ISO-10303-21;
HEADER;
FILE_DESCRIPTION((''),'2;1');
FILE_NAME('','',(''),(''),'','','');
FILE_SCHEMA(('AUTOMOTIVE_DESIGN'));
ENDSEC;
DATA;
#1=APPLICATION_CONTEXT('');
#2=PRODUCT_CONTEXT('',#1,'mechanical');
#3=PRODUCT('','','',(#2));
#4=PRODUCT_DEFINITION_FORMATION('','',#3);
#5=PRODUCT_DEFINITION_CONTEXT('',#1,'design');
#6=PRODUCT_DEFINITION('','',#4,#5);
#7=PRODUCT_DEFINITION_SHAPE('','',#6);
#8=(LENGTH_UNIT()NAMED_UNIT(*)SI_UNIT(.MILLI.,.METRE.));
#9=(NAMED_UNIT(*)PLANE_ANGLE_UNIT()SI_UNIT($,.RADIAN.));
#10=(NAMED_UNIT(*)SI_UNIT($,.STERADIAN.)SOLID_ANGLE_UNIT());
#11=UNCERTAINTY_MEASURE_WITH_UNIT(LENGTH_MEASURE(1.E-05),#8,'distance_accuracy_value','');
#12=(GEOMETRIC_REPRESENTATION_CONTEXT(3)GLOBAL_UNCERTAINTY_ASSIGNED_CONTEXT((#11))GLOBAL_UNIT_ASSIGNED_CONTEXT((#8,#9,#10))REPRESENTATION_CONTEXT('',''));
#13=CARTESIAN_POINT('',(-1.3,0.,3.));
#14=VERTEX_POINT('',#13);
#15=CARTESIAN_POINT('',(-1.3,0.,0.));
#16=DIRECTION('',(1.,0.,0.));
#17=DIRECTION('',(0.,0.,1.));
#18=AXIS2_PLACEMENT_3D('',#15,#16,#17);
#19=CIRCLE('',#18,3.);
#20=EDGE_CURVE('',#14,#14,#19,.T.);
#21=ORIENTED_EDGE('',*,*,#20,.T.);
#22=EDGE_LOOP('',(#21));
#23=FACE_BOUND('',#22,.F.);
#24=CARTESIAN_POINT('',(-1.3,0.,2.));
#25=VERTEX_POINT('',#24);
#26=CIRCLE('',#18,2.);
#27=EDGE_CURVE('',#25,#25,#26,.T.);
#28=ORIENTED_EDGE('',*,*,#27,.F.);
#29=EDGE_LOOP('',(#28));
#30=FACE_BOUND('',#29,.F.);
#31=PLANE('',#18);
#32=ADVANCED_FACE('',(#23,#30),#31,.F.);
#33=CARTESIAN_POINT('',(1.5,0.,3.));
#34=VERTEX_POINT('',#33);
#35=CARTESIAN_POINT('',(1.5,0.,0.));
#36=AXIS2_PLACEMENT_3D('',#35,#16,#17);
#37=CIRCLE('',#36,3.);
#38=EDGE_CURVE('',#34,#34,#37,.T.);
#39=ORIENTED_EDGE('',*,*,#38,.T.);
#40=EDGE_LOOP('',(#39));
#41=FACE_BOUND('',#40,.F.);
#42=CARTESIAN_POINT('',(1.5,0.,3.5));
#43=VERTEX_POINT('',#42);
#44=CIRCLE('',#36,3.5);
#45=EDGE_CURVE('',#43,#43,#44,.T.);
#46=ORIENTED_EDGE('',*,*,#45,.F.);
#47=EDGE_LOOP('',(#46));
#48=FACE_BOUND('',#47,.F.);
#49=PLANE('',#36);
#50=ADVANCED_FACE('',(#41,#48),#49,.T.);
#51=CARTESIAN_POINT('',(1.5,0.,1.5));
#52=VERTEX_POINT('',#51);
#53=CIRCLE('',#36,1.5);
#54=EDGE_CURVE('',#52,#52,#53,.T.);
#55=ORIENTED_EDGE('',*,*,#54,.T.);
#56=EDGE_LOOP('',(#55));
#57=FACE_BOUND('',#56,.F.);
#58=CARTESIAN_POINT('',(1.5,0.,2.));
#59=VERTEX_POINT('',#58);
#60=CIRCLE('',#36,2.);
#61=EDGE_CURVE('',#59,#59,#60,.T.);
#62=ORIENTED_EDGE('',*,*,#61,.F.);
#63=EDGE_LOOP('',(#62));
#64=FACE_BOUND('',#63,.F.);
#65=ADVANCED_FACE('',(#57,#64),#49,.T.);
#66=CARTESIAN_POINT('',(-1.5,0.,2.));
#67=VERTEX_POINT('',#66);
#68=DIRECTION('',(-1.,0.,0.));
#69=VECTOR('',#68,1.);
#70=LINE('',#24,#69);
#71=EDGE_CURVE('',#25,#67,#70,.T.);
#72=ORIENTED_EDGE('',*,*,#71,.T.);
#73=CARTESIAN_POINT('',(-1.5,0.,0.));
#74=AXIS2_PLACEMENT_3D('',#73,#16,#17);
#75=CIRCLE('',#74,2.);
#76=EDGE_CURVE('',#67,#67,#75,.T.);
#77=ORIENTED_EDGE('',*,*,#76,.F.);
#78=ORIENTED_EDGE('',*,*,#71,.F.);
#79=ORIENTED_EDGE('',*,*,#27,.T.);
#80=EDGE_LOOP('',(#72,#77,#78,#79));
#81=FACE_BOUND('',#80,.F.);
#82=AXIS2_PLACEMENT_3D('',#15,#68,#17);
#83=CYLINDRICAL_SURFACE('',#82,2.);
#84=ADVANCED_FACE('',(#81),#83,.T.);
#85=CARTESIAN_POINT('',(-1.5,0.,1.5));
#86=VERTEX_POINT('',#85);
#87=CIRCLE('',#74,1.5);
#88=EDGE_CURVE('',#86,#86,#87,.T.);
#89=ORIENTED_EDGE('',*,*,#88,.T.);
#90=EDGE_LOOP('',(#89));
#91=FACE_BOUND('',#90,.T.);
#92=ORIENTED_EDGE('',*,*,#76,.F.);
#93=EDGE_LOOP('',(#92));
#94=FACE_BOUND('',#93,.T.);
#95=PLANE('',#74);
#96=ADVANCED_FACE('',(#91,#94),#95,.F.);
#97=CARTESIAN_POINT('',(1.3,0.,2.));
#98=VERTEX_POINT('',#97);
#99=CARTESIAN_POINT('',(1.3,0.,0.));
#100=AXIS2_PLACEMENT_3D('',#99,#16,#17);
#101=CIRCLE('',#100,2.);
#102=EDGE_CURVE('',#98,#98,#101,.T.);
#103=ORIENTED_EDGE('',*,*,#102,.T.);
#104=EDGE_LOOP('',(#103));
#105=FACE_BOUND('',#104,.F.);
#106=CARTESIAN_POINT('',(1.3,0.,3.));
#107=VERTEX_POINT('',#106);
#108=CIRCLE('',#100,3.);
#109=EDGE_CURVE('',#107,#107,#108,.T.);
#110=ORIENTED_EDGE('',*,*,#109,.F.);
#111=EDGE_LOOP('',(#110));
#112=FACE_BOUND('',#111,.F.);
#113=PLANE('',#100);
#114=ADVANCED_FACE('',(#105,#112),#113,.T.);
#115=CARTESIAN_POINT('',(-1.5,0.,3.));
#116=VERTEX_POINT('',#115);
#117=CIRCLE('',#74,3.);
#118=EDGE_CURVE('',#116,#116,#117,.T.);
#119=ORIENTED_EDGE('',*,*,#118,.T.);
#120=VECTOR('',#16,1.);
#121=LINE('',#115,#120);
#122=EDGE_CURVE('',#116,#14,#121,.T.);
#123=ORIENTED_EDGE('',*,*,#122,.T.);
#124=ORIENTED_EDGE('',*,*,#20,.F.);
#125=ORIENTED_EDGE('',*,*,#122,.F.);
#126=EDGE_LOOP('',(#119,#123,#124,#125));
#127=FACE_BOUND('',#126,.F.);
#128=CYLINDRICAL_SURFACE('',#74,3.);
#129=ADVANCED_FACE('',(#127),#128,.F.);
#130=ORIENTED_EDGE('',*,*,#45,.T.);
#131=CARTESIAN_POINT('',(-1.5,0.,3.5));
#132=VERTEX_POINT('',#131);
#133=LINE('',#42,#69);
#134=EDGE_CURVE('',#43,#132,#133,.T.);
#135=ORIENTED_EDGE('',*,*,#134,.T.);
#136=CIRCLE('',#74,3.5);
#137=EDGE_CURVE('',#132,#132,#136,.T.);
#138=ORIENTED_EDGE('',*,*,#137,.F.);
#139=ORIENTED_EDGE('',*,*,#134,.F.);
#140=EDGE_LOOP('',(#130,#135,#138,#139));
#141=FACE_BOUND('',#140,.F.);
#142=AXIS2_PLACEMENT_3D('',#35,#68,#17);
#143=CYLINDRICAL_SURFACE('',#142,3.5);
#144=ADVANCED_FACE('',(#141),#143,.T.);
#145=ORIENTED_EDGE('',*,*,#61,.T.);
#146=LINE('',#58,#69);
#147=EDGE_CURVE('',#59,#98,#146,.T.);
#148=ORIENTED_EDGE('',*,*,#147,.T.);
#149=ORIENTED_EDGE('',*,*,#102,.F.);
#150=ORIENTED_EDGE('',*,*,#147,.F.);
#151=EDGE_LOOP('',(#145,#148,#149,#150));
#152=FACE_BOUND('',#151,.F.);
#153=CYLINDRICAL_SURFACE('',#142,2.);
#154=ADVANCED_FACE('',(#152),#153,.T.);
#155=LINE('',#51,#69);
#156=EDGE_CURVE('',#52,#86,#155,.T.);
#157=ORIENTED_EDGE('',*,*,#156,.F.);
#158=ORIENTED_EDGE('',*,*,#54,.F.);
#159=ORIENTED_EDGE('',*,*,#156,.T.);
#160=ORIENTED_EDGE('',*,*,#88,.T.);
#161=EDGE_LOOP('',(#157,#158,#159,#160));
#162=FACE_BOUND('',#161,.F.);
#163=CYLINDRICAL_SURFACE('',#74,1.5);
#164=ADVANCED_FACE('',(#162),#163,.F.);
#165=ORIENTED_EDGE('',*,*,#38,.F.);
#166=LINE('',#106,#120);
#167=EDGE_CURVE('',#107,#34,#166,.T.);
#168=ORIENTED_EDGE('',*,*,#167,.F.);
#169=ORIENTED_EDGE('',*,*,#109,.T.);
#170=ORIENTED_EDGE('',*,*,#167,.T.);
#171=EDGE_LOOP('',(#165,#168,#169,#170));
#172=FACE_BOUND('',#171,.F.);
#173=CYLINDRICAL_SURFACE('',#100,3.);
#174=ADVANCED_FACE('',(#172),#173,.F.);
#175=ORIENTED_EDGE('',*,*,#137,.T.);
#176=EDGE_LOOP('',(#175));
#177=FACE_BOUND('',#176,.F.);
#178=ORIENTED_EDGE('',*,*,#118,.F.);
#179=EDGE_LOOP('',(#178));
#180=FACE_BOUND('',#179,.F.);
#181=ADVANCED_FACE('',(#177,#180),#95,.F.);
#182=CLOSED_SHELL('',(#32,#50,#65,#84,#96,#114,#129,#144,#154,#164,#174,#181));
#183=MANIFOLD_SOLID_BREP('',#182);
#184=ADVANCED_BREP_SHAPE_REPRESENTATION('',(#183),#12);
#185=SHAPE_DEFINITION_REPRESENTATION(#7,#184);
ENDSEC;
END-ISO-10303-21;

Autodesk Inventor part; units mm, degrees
ref_plane "YZ Plane" through (0, 0, 0) normal (1, 0, 0) x (0, 1, 0)
ref_plane "XZ Plane" through (0, 0, 0) normal (0, 1, 0) x (-1, 0, 0)
ref_plane "XY Plane" through (0, 0, 0) normal (0, 0, 1) x (1, 0, 0)
sketch "Skizze1" plane through (0, 0, 0) normal (0, 1, 0) x (-1, 0, 0)
  line L0 (1.5, 0) -> (-1.5, 0)
  line L1 (1.5, 1.5) -> (-1.5, 1.5)
  line L2 (-1.5, 1.5) -> (-1.5, 2)
  line L3 (-1.5, 2) -> (-1.3, 2)
  line L4 (-1.3, 2) -> (-1.3, 3)
  line L5 (-1.3, 3) -> (-1.5, 3)
  line L6 (-1.5, 3) -> (-1.5, 3.5)
  line L7 (-1.5, 3.5) -> (1.5, 3.5)
  line L8 (1.5, 3.5) -> (1.5, 3)
  line L9 (1.5, 3) -> (1.3, 3)
  line L10 (1.3, 3) -> (1.3, 2)
  line L11 (1.3, 2) -> (1.5, 2)
  line L12 (1.5, 1.5) -> (1.5, 2)
  line L13 (0, -0.7) -> (0, 4.2) projected
  point P0 (0, 0)
  dimension "d0" = 3
  dimension "d1" = 7
  dimension "d2" = 3
  dimension "d3" = 0.2
  dimension "d4" = 0.5
  dimension "d5" = 0.5
revolve "Umdrehung1" add sketch "Skizze1" angle 360 about axis through (-1.5, 0, 0) along (1, 0, 0)
properties part number "Kugellager 683-ZZ" material "Stahl, weich, geschweißt"
